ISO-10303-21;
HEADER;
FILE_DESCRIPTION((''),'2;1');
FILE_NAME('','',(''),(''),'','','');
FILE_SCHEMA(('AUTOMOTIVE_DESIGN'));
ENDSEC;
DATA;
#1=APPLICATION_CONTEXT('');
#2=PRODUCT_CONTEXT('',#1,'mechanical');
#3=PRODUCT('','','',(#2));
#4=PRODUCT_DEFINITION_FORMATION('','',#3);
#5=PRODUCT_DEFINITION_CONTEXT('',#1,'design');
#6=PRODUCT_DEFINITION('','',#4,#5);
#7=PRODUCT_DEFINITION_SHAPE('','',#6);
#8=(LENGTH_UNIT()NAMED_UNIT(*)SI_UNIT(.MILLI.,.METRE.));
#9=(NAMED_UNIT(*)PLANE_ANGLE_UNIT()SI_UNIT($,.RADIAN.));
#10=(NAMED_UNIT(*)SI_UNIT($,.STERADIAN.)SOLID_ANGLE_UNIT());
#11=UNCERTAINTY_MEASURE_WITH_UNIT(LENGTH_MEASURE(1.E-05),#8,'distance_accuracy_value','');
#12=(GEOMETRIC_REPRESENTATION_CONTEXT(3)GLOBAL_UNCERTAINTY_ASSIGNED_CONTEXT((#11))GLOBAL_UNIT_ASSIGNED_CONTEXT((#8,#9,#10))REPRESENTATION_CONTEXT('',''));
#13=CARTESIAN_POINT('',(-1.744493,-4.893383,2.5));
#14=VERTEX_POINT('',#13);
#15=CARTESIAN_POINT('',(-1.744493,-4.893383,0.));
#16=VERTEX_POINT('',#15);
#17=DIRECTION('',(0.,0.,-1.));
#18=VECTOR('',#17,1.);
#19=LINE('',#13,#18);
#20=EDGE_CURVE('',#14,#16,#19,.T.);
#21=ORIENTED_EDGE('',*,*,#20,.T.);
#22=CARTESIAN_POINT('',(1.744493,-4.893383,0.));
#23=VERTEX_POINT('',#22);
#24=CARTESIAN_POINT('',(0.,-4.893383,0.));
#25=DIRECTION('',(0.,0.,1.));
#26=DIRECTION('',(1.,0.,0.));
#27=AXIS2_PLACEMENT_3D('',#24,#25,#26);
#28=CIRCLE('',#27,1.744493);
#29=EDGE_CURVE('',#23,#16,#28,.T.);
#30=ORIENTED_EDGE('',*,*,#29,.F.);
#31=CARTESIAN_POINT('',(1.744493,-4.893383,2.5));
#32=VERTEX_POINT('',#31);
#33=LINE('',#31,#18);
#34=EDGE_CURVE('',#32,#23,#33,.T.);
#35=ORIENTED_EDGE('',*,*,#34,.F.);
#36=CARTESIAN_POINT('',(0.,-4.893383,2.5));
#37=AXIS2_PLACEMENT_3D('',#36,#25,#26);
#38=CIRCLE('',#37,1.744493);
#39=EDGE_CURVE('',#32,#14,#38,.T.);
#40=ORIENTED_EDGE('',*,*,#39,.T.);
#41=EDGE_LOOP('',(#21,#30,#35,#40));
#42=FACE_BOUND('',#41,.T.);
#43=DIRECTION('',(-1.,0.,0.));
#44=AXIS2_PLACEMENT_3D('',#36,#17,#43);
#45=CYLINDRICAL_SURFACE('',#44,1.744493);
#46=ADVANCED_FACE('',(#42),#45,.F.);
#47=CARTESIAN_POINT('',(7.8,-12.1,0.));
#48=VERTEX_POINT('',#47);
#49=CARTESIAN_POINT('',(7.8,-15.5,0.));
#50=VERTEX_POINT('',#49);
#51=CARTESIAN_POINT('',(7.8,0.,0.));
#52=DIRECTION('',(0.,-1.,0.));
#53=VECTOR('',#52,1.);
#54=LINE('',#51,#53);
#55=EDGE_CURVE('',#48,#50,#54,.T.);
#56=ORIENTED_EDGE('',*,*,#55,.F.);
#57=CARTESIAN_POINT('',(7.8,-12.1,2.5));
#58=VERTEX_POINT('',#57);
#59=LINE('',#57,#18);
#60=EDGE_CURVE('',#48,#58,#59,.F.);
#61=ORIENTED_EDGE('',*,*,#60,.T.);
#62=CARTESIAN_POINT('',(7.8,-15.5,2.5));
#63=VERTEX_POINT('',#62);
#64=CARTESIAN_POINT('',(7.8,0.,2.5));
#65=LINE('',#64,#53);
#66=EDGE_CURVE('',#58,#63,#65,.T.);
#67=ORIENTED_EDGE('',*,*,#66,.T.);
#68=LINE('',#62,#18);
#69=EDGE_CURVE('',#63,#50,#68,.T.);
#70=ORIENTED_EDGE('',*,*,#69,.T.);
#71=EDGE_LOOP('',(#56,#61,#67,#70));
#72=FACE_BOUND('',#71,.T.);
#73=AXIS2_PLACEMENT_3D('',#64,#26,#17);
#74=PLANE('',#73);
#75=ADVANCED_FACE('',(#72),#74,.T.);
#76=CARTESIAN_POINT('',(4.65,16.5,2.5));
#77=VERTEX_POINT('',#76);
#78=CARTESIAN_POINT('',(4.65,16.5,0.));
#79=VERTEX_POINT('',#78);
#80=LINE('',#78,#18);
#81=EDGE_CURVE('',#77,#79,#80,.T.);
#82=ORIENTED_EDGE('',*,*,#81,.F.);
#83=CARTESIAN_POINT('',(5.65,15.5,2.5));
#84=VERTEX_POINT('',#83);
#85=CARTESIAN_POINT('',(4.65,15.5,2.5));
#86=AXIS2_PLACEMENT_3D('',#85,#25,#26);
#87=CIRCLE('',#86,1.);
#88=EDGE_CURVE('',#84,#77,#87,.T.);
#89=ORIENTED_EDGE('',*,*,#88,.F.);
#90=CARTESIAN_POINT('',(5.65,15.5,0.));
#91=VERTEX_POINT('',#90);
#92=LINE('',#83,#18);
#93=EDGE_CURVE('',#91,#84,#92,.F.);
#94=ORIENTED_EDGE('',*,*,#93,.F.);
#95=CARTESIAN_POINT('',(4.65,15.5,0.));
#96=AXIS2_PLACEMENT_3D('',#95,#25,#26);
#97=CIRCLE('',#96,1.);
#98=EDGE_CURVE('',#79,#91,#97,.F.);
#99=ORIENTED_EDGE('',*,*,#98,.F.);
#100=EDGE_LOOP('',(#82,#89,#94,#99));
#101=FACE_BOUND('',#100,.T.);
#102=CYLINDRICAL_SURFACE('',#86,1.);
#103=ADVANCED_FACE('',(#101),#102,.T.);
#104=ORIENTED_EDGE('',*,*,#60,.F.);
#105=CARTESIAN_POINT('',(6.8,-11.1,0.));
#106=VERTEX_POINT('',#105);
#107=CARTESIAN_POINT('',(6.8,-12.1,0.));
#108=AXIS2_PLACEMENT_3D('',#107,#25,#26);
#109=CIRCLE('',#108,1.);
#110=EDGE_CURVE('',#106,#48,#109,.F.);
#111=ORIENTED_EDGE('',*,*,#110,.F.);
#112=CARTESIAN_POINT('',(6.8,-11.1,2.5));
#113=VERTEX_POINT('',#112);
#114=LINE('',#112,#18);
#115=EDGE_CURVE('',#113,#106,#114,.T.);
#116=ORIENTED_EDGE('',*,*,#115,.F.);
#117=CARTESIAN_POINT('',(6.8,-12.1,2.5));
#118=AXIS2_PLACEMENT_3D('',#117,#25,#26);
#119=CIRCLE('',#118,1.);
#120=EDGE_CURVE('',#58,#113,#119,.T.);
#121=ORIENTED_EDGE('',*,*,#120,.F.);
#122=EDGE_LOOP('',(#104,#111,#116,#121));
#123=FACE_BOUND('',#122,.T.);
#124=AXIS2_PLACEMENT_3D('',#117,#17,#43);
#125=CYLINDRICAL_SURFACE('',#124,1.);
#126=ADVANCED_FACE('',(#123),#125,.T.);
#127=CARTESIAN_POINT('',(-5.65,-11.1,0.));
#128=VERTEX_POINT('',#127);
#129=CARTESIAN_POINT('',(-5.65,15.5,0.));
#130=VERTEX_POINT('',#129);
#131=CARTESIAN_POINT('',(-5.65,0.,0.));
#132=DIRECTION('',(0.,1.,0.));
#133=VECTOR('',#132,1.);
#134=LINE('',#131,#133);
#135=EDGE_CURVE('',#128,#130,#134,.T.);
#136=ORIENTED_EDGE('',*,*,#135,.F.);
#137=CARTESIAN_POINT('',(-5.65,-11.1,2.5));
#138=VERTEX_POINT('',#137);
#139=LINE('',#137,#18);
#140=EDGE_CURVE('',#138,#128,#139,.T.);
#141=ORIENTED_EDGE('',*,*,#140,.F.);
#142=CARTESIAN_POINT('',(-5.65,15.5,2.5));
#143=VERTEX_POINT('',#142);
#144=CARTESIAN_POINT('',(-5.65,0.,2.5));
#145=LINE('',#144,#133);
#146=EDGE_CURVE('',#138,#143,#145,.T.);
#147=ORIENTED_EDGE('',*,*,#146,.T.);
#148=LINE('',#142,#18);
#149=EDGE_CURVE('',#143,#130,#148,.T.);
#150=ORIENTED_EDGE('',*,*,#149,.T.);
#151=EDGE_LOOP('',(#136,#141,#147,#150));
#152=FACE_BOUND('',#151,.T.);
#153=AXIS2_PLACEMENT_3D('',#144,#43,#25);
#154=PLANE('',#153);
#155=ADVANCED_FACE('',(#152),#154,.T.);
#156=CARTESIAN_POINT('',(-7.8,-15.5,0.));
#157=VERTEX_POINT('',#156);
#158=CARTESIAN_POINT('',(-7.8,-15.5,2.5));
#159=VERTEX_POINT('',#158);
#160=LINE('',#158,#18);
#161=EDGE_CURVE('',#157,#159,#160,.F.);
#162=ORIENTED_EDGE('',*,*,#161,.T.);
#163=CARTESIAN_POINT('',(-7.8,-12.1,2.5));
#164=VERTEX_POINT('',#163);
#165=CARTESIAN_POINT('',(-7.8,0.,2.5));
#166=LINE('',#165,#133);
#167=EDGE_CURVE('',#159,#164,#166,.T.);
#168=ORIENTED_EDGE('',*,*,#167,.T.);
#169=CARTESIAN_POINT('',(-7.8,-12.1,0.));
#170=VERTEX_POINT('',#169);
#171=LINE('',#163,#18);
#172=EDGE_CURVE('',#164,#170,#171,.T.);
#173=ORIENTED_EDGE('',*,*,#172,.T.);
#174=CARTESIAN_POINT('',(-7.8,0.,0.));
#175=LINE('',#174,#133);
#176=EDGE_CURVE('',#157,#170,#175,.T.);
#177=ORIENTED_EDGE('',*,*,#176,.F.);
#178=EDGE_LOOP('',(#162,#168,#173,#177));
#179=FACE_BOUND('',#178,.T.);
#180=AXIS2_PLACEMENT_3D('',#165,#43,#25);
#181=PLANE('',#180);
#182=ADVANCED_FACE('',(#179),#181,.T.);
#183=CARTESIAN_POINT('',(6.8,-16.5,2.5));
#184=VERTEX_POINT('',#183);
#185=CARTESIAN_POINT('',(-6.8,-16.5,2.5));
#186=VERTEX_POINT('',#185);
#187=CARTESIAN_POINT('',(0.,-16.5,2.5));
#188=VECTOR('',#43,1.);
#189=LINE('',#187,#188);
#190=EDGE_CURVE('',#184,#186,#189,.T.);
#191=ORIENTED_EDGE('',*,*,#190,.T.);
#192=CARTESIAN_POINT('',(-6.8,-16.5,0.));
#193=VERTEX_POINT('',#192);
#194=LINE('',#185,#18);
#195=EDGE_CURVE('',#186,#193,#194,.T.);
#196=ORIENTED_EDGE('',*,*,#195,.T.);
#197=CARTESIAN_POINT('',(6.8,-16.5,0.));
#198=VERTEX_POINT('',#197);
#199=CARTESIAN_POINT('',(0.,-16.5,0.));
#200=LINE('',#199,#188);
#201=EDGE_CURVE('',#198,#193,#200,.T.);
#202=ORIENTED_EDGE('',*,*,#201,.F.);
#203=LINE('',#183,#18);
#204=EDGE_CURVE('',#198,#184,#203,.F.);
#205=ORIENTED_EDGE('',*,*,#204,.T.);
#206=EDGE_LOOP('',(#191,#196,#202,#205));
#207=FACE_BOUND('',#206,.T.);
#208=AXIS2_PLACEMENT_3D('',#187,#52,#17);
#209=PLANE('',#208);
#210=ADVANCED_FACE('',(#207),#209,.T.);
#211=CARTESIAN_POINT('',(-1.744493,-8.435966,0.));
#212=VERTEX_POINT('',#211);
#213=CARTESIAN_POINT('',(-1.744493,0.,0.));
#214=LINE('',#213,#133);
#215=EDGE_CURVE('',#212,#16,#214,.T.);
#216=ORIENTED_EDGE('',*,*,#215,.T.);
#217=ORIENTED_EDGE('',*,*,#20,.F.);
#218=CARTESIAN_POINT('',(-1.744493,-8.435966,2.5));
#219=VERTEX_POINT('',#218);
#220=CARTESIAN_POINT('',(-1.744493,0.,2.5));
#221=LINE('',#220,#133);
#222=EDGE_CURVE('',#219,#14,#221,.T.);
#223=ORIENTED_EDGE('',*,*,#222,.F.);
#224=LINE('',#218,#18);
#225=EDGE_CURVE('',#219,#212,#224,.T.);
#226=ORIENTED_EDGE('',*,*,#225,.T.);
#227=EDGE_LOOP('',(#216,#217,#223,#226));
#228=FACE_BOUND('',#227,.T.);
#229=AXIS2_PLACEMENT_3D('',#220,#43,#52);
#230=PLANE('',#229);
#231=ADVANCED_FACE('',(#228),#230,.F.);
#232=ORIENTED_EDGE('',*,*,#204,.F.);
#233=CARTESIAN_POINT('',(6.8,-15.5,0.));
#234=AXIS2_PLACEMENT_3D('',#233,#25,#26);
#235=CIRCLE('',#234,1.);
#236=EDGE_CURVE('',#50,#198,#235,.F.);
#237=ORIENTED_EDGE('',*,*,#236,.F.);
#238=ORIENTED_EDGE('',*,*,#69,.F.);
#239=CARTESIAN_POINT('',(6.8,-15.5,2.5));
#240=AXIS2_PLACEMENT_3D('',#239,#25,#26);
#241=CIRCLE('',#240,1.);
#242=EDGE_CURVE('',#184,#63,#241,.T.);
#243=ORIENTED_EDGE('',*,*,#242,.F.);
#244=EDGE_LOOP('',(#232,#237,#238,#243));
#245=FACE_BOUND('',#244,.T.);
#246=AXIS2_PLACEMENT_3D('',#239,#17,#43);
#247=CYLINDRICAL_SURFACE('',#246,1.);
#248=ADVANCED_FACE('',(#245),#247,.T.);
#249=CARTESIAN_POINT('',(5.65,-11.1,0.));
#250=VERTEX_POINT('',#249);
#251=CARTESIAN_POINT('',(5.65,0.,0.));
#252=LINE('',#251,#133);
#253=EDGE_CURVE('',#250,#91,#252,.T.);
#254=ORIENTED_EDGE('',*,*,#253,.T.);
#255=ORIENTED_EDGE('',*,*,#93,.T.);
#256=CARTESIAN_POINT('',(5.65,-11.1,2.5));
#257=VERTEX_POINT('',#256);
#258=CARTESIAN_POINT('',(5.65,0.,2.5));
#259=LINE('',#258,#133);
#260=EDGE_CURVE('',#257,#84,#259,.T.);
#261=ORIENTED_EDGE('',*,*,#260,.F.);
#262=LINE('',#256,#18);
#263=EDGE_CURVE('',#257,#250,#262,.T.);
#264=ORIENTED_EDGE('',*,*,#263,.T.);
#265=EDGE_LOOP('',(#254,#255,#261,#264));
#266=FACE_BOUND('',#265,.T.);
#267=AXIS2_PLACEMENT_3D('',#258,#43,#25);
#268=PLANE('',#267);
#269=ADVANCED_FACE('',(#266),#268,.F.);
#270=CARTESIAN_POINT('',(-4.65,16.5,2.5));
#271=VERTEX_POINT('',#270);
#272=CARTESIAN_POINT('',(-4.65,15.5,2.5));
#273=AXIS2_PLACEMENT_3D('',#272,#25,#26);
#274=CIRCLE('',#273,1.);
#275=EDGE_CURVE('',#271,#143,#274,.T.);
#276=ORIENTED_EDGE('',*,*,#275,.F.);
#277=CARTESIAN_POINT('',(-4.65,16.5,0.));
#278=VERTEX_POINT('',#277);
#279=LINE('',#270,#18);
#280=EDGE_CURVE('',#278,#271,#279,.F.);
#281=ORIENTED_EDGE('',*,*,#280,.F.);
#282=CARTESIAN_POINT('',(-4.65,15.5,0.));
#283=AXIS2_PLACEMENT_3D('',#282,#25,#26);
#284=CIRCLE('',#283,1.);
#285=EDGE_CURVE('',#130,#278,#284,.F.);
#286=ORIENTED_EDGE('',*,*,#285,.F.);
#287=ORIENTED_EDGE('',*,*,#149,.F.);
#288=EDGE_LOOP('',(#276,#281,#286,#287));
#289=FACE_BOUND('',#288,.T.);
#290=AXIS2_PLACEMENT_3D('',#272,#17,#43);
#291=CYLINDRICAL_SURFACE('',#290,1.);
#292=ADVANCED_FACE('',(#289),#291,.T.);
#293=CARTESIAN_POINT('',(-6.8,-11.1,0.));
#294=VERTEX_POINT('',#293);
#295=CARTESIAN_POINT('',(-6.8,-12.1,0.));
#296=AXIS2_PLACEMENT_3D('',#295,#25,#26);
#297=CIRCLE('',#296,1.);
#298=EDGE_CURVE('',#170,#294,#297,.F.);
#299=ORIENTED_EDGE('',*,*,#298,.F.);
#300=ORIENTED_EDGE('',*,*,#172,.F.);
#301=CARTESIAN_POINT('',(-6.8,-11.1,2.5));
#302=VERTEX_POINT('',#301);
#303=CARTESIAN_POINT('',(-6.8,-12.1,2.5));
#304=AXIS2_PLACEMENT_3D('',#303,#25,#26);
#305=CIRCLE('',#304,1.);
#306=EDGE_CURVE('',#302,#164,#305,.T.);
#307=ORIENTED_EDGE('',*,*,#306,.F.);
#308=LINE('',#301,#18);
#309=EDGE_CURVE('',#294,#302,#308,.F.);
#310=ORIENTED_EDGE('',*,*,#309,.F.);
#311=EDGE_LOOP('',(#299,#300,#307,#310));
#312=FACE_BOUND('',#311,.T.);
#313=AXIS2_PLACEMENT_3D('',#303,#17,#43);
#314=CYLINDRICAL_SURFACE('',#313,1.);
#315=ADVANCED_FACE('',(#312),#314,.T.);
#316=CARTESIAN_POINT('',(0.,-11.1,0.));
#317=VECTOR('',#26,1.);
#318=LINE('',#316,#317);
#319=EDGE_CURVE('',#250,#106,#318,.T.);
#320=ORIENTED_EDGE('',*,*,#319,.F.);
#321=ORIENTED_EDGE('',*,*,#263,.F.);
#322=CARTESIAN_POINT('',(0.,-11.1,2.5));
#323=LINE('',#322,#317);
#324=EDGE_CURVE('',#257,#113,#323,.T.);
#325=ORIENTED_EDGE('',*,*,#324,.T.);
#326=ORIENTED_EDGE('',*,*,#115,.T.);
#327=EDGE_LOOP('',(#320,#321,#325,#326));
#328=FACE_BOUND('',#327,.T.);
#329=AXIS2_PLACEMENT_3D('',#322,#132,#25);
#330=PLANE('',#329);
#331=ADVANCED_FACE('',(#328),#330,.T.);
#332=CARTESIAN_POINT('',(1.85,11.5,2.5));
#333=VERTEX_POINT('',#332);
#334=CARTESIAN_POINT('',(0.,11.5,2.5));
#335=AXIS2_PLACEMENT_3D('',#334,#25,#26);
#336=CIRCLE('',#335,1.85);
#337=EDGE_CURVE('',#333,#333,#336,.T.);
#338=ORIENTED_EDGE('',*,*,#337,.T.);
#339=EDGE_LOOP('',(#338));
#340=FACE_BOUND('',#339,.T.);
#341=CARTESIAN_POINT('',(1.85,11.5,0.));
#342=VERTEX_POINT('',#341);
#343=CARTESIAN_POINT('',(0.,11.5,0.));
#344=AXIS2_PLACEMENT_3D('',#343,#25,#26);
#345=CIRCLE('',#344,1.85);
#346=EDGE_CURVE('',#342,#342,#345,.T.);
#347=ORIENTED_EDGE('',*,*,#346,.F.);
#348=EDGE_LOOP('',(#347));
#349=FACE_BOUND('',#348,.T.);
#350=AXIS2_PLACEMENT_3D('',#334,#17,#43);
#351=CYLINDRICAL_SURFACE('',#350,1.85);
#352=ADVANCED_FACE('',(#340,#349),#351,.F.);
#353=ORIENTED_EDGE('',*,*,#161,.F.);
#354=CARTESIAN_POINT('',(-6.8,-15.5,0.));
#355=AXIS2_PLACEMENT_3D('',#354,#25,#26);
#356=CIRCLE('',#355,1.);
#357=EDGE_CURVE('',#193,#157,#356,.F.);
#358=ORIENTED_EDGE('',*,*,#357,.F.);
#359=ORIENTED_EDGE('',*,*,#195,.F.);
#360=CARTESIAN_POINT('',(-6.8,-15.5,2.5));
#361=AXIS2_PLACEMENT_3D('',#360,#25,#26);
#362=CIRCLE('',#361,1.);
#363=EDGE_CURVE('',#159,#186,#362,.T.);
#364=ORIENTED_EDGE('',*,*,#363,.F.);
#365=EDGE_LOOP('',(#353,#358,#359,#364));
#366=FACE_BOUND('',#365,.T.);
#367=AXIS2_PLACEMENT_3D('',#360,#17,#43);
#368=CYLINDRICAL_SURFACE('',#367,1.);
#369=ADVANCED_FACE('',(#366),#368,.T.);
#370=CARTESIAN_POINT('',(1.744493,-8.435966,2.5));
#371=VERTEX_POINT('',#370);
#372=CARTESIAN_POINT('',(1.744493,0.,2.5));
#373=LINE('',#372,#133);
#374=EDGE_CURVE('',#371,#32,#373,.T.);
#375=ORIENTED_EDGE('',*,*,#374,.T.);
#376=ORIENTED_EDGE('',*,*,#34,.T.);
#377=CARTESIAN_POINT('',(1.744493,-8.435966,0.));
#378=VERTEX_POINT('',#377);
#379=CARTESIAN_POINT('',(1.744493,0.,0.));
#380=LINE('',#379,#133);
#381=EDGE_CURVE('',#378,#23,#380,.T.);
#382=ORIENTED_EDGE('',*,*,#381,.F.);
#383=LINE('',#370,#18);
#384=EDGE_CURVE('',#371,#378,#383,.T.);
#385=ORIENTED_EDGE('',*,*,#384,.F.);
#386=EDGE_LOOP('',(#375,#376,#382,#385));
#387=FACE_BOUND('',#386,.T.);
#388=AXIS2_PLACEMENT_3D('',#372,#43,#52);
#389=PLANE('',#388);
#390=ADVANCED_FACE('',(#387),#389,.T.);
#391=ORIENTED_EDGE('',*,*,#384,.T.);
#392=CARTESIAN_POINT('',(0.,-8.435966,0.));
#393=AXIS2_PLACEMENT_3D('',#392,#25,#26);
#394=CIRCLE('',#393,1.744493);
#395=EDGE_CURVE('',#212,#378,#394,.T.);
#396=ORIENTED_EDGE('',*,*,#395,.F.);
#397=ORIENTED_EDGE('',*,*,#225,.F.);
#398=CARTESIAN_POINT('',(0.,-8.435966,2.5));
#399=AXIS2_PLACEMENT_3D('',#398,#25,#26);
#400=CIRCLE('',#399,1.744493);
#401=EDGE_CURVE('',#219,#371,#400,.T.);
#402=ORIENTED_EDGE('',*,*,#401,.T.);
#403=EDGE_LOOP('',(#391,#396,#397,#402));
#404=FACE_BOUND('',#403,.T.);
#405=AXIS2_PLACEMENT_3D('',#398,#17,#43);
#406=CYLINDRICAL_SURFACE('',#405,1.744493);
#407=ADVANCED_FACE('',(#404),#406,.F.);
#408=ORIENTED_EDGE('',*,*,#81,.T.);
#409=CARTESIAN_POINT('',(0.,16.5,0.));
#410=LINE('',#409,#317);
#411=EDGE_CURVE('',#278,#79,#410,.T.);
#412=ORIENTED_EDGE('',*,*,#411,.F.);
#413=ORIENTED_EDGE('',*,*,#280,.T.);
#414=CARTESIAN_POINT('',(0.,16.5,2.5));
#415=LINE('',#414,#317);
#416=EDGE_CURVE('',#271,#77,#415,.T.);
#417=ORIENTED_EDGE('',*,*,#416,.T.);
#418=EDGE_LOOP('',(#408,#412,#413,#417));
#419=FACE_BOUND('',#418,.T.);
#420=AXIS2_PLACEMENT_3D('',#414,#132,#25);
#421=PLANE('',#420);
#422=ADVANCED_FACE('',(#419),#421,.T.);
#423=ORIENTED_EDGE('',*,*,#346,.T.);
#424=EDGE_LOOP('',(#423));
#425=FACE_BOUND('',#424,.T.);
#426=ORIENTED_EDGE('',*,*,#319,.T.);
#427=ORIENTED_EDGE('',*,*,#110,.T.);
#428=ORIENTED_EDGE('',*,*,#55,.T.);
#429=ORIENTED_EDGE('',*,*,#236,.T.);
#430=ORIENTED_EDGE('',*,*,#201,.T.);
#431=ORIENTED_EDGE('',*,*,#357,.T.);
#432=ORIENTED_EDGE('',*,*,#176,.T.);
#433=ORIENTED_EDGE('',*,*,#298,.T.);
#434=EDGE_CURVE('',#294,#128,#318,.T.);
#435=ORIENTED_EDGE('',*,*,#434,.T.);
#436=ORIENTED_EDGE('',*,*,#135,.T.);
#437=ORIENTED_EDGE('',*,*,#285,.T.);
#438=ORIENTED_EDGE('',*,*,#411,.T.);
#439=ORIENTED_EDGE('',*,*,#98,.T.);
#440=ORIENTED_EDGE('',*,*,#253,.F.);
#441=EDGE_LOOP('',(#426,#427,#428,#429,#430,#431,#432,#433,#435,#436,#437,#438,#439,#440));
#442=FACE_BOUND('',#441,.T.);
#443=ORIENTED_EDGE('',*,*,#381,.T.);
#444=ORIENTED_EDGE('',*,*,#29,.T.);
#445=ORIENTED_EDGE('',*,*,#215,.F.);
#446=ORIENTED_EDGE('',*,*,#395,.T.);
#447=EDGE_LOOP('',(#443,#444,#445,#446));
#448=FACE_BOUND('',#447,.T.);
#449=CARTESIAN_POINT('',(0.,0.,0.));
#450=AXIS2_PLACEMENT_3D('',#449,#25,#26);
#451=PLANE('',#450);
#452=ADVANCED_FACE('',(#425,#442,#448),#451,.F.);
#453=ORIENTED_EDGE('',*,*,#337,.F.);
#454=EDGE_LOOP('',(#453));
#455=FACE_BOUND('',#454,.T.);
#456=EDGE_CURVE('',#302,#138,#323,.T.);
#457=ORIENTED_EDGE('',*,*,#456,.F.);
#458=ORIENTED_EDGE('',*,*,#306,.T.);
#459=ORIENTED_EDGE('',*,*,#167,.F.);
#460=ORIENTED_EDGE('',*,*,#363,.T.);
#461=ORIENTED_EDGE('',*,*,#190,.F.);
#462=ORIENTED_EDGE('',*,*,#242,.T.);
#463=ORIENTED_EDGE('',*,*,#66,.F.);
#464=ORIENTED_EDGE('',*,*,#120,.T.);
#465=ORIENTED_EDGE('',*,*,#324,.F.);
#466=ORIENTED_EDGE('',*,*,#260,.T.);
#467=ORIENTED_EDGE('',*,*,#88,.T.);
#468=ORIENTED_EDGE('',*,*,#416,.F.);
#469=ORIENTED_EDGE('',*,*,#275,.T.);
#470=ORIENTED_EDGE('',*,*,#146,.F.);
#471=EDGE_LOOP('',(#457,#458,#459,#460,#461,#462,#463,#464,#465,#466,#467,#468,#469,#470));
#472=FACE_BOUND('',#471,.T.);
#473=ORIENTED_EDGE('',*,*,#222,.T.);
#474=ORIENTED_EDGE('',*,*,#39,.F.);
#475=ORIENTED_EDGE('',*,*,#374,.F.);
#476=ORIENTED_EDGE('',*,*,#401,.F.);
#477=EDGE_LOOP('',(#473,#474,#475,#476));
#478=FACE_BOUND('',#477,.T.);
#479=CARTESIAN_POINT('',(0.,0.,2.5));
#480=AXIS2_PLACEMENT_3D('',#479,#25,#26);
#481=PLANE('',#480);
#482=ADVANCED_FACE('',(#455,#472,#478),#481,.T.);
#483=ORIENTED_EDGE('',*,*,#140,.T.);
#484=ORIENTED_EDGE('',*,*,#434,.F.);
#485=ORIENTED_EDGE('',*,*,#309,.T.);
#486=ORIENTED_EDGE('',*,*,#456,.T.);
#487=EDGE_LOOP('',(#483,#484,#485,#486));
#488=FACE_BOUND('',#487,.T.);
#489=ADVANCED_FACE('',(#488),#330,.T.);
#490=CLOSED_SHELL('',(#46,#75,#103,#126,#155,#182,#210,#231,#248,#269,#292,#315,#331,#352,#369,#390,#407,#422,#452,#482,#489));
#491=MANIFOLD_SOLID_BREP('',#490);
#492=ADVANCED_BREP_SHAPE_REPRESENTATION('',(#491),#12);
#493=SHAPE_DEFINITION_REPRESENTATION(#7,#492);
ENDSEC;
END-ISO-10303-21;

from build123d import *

# Parameters (mm, degrees)
CROQUIS1_R              = 1.85
SALIENTE_EXTRUIR1_DEPTH = 2.5
REDONDEO1_R             = 1


with BuildPart() as part:
    # Croquis1 → Saliente-Extruir1 (new body)
    with BuildSketch(Plane.XY):
        Polygon((-7.8, -16.5), (-5.65, -16.5), (0, -16.5), (5.65, -16.5), (7.8, -16.5), (7.8, -11.1), (5.65, -11.1), (5.65, 16.5), (-5.65, 16.5), (-5.65, -11.1), (-7.8, -11.1), align=None)
        with BuildLine():
            ThreePointArc((1.744493193, -8.435965803), (0, -10.180458996), (-1.744493193, -8.435965803))
            Line((-1.744493193, -8.435965803), (-1.744493193, -4.893383092))
            ThreePointArc((-1.744493193, -4.893383092), (0, -3.148889899), (1.744493193, -4.893383092))
            Line((1.744493193, -4.893383092), (1.744493193, -8.435965803))
        make_face(mode=Mode.SUBTRACT)
        with Locations((0, 11.5)):
            Circle(CROQUIS1_R, mode=Mode.SUBTRACT)
    extrude(amount=SALIENTE_EXTRUIR1_DEPTH)

    # Redondeo1
    redondeo1_edges = [part.edges().sort_by_distance(p)[0] for p in [
        (7.8, -11.1, 1.25),
        (7.8, -16.5, 1.25),
        (-7.8, -16.5, 1.25),
        (-7.8, -11.1, 1.25),
        (-5.65, 16.5, 1.25),
        (5.65, 16.5, 1.25),
    ]]
    fillet(redondeo1_edges, radius=REDONDEO1_R)


solid = part.part
